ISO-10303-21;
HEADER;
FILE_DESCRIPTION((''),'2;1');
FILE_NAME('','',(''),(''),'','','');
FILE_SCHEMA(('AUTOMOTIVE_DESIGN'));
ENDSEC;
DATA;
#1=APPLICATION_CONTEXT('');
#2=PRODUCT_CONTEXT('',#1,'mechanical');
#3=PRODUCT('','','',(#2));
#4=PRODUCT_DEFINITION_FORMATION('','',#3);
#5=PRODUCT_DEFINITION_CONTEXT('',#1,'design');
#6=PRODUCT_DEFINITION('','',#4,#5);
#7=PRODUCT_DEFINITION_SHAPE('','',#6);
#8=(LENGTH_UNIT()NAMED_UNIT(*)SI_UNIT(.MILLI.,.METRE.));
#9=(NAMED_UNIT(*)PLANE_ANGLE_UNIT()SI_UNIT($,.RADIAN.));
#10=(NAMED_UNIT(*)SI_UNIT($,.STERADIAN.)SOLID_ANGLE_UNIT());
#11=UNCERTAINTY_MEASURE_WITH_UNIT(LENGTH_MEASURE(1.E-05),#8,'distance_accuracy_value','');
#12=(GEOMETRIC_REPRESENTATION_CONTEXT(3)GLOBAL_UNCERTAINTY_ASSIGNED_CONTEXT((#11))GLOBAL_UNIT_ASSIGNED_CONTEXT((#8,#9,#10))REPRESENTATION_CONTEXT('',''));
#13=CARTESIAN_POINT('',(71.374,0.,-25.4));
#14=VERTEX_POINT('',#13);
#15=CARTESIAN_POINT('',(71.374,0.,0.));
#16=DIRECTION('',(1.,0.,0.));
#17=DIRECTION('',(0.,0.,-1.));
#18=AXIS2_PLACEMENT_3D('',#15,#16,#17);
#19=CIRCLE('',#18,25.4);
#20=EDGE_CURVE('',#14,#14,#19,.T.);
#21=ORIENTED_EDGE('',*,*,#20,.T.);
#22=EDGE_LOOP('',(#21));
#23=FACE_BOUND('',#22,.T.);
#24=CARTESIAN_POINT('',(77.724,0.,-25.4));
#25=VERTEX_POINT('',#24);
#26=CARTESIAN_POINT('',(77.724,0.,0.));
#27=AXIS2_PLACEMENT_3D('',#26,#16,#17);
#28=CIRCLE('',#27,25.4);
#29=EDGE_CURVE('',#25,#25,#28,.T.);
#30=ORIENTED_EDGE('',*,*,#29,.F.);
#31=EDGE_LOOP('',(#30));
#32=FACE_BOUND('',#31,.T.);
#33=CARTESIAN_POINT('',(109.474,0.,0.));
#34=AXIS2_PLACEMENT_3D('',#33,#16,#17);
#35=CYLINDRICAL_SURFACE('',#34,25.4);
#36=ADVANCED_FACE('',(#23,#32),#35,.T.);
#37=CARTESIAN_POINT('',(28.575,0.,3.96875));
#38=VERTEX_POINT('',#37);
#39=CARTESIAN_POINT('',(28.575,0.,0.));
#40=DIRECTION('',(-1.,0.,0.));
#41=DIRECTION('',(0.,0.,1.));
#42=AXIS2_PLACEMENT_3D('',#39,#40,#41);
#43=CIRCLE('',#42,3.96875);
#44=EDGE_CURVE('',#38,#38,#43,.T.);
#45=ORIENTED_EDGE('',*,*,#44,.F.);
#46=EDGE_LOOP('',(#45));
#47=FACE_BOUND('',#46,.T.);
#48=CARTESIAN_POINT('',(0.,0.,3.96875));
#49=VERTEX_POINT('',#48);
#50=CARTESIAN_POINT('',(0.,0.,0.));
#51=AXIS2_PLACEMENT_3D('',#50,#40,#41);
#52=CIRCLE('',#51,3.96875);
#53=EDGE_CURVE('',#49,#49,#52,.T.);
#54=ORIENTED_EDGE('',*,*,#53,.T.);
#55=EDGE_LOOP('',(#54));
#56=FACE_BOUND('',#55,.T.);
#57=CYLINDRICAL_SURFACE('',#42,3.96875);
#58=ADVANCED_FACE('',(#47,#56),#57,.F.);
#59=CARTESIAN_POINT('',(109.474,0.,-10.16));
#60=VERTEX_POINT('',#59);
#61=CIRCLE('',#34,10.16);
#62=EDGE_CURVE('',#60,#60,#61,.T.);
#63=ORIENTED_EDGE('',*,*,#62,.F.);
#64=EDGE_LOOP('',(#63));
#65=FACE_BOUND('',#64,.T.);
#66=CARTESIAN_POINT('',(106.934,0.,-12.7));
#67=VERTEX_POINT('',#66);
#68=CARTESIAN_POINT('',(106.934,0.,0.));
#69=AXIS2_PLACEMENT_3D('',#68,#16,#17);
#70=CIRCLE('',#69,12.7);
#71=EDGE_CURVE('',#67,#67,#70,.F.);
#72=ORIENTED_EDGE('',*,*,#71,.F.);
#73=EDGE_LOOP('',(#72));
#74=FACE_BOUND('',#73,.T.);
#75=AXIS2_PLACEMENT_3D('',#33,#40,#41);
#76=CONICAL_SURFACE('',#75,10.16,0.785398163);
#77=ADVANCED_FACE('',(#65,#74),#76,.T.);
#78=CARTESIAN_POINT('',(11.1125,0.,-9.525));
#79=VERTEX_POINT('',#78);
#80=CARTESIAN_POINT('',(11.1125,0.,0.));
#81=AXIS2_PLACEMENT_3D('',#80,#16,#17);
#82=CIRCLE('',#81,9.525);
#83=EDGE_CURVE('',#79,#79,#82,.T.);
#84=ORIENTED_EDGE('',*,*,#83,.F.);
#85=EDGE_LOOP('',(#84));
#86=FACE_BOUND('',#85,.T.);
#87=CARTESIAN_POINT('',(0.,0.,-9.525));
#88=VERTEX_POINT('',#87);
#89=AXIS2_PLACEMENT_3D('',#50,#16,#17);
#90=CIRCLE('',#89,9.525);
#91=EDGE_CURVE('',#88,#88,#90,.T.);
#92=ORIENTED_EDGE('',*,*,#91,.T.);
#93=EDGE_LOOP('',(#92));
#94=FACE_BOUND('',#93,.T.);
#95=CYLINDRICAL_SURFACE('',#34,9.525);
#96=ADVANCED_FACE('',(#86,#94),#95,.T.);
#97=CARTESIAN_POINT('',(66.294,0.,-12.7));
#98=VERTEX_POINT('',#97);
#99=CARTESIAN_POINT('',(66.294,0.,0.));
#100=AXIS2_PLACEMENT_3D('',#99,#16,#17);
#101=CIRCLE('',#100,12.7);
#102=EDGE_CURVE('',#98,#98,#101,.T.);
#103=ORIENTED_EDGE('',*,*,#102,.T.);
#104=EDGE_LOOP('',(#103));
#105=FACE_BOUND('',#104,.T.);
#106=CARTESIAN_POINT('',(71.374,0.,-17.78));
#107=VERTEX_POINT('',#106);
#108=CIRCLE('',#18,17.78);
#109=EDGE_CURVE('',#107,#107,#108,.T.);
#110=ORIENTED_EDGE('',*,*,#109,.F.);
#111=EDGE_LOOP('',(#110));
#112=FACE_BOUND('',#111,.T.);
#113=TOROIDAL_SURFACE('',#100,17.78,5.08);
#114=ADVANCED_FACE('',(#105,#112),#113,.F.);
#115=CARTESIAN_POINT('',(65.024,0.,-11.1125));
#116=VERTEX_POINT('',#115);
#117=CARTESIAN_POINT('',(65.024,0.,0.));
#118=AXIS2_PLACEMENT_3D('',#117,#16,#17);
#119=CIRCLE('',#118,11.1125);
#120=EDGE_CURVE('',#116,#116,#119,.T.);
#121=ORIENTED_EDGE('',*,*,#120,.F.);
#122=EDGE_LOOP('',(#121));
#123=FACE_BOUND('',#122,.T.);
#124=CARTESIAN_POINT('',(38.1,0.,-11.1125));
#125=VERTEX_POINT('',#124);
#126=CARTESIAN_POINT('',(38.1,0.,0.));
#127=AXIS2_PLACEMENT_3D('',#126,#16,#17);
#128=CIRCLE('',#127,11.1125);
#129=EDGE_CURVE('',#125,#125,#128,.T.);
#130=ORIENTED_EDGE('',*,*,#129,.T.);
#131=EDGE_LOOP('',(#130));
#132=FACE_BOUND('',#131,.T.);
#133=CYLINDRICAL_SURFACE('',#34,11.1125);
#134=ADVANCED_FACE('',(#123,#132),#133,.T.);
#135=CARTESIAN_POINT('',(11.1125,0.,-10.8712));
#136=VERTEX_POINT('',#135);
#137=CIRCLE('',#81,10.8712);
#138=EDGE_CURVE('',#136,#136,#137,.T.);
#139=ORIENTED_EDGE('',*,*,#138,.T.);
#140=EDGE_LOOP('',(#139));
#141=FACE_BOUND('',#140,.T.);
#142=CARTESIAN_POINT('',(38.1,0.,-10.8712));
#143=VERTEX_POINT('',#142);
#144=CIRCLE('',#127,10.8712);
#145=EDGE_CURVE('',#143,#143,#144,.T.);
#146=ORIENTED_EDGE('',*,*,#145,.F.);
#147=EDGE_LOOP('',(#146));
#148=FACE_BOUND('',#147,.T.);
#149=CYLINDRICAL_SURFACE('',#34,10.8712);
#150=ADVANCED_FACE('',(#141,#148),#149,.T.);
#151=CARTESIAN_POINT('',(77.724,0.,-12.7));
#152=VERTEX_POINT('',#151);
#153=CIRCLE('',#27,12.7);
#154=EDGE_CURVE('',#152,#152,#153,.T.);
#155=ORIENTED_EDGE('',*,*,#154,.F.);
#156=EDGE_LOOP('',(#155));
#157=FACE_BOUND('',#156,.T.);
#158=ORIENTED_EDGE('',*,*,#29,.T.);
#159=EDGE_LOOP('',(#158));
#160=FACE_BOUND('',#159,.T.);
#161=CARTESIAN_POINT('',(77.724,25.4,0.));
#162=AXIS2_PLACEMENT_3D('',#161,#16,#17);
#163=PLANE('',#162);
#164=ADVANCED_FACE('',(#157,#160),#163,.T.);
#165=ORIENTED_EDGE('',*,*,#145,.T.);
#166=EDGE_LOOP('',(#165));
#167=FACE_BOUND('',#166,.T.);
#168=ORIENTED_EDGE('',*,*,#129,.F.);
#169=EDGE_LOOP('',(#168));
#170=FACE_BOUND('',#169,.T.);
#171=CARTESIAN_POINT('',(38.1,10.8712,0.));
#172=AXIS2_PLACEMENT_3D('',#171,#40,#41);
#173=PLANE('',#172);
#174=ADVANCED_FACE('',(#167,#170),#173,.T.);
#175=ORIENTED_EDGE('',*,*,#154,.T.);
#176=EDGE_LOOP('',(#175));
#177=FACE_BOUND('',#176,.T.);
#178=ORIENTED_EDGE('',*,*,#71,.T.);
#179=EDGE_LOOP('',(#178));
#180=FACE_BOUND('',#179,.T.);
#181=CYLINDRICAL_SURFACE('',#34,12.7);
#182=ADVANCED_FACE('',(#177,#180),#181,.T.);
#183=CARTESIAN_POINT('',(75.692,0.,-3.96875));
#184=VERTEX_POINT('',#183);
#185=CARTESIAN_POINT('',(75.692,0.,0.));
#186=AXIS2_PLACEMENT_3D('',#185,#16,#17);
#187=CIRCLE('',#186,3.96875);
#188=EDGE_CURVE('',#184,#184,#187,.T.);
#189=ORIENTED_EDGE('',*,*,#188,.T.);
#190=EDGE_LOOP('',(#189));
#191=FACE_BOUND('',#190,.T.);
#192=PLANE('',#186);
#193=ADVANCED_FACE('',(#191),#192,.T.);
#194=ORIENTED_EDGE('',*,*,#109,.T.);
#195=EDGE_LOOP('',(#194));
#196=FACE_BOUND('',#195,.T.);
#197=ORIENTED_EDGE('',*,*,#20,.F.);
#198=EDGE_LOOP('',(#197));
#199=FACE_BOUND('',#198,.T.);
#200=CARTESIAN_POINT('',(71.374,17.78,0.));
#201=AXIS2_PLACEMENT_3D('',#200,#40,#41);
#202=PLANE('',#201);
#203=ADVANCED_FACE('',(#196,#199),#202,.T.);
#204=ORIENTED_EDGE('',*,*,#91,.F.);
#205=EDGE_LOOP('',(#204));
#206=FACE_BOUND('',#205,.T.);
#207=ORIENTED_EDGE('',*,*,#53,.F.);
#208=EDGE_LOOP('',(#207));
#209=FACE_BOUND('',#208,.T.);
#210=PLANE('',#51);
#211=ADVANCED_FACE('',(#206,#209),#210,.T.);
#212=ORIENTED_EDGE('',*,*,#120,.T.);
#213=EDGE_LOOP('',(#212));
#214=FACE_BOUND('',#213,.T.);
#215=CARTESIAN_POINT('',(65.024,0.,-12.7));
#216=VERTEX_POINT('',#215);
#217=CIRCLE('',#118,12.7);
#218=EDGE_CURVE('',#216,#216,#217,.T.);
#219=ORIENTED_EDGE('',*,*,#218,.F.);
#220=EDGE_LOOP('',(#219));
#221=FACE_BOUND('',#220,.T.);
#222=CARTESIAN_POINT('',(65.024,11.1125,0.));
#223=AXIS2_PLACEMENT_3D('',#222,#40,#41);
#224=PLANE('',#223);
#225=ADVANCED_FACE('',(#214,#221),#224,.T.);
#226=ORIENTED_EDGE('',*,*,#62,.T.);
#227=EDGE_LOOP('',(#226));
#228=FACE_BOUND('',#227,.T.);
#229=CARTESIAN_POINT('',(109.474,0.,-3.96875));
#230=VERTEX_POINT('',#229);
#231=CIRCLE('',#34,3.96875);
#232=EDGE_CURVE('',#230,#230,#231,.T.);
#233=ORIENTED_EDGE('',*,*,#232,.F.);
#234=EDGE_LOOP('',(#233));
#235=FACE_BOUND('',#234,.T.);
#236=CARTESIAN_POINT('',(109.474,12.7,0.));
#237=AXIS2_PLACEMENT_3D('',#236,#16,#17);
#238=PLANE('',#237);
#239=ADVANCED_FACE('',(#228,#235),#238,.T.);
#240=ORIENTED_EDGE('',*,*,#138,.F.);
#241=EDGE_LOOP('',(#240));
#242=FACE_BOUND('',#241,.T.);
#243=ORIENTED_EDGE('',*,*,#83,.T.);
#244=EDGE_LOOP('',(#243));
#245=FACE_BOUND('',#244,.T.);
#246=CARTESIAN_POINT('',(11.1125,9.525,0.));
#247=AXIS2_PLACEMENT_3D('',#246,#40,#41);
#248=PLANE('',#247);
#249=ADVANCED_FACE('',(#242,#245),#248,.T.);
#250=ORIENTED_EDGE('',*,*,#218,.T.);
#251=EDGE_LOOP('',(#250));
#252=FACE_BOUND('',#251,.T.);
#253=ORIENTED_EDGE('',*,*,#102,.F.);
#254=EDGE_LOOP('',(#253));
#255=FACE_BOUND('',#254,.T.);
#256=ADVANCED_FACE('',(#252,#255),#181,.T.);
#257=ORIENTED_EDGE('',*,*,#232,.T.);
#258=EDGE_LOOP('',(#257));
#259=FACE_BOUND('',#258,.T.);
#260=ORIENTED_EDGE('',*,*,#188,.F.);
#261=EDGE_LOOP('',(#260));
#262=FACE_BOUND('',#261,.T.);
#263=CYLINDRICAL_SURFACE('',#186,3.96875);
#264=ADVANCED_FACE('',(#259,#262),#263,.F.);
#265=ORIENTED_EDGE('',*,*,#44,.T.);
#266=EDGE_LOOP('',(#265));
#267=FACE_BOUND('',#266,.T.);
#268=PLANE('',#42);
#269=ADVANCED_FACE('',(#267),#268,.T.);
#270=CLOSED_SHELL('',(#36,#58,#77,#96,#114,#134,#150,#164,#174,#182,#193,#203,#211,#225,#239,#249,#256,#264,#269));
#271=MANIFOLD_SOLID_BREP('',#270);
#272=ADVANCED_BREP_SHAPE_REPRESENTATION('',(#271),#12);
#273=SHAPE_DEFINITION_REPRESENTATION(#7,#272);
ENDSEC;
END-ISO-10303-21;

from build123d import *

# Parameters (mm, degrees)
SKETCH5_R          = 3.96875
CUT_EXTRUDE1_DEPTH = 28.575
SKETCH6_R          = 3.96875
CUT_EXTRUDE2_DEPTH = 33.782
CHAMFER1_SIZE      = 2.54


with BuildPart() as part:
    # Sketch4 → Revolve2 (revolve)
    with BuildSketch(Plane.XY):
        with BuildLine():
            Line((0, 0), (0, 9.525))
            Line((0, 9.525), (11.1125, 9.525))
            Line((11.1125, 9.525), (11.1125, 10.8712))
            Line((11.1125, 10.8712), (38.1, 10.8712))
            Line((38.1, 10.8712), (38.1, 11.1125))
            Line((38.1, 11.1125), (65.024, 11.1125))
            Line((65.024, 11.1125), (65.024, 12.7))
            Line((65.024, 12.7), (66.294, 12.7))
            ThreePointArc((66.294, 12.7), (69.886102448, 14.187897552), (71.374, 17.78))
            Line((71.374, 17.78), (71.374, 25.4))
            Line((71.374, 25.4), (77.724, 25.4))
            Line((77.724, 25.4), (77.724, 12.7))
            Line((77.724, 12.7), (109.474, 12.7))
            Line((109.474, 12.7), (109.474, 0))
            Line((109.474, 0), (0, 0))
        make_face()
    revolve(axis=Axis((109.474, 0, 0), (-1, 0, 0)))

    # Sketch5 → Cut-Extrude1 (cut)
    with BuildSketch(Plane.ZY):
        Circle(SKETCH5_R)
    extrude(amount=-CUT_EXTRUDE1_DEPTH, mode=Mode.SUBTRACT)

    # Sketch6 → Cut-Extrude2 (cut)
    with BuildSketch(Plane(origin=(109.474, 0, 0), x_dir=(0, 0, -1), z_dir=(1, 0, 0))):
        Circle(SKETCH6_R)
    extrude(amount=-CUT_EXTRUDE2_DEPTH, mode=Mode.SUBTRACT)

    # Chamfer1
    chamfer1_edges = [part.edges().sort_by_distance(p)[0] for p in [
        (109.474, -12.7, 0),
    ]]
    chamfer(chamfer1_edges, length=CHAMFER1_SIZE)


solid = part.part
